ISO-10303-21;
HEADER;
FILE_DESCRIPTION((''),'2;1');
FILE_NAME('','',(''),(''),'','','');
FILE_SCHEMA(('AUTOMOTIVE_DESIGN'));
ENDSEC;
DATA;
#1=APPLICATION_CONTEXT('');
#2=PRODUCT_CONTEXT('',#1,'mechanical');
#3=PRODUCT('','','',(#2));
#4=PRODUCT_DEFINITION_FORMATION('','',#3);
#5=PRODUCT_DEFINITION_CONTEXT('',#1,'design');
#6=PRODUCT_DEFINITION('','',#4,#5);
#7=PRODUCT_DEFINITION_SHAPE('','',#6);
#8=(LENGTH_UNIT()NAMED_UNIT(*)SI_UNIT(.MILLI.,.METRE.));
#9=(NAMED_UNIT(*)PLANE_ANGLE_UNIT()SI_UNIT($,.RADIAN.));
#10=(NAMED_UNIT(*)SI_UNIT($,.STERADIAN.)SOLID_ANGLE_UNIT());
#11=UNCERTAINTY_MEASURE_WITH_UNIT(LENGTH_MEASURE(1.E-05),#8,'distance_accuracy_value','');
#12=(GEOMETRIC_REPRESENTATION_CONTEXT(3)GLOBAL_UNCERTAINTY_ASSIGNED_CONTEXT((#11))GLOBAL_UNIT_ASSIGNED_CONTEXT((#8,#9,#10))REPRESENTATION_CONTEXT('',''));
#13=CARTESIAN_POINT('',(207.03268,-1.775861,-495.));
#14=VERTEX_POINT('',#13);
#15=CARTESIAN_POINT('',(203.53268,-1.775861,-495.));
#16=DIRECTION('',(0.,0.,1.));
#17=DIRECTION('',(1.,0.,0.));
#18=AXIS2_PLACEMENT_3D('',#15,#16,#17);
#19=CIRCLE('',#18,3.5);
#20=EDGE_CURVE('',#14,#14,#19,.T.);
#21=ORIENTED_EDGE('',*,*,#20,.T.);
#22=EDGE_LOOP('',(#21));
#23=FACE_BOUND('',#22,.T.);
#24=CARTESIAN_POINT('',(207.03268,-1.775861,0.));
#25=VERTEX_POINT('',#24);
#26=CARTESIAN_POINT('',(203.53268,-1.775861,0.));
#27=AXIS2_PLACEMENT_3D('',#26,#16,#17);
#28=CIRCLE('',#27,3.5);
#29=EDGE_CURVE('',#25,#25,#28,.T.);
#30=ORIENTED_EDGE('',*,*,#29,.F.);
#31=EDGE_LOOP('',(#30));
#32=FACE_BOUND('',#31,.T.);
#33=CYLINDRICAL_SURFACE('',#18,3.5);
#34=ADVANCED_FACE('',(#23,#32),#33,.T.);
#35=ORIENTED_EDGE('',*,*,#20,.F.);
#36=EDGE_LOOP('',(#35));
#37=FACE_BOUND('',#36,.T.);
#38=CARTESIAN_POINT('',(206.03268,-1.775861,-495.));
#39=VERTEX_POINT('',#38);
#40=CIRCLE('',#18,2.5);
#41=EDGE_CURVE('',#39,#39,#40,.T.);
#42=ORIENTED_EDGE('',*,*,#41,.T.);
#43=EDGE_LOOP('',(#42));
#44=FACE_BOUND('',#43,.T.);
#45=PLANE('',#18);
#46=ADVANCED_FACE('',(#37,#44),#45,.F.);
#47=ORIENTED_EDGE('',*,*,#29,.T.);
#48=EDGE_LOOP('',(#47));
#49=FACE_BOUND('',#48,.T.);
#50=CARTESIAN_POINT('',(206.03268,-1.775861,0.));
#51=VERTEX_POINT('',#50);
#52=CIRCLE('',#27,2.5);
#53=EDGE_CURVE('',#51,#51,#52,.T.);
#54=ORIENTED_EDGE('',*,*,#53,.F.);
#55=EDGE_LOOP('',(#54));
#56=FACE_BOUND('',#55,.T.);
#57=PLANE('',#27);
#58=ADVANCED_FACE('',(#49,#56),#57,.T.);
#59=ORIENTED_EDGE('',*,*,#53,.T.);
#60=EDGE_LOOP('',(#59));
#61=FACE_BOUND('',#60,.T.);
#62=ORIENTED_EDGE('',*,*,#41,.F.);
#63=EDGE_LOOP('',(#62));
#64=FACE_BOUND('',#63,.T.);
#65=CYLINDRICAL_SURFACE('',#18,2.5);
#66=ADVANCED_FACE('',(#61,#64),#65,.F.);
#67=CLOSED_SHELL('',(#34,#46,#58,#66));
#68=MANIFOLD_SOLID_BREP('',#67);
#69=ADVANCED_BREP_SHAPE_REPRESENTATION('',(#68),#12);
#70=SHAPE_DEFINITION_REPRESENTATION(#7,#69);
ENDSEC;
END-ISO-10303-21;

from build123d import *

# Parameters (mm, degrees)
SKETCH1_R           = 3.5
SKETCH1_R_2         = 2.5
BOSS_EXTRUDE1_DEPTH = 495


with BuildPart() as part:
    # Sketch1 → Boss-Extrude1 (new body)
    with BuildSketch(Plane.XY):
        with Locations((203.53267981, -1.775861049)):
            Circle(SKETCH1_R)
        with Locations((203.53267981, -1.775861049)):
            Circle(SKETCH1_R_2, mode=Mode.SUBTRACT)
    extrude(amount=-BOSS_EXTRUDE1_DEPTH)


solid = part.part
